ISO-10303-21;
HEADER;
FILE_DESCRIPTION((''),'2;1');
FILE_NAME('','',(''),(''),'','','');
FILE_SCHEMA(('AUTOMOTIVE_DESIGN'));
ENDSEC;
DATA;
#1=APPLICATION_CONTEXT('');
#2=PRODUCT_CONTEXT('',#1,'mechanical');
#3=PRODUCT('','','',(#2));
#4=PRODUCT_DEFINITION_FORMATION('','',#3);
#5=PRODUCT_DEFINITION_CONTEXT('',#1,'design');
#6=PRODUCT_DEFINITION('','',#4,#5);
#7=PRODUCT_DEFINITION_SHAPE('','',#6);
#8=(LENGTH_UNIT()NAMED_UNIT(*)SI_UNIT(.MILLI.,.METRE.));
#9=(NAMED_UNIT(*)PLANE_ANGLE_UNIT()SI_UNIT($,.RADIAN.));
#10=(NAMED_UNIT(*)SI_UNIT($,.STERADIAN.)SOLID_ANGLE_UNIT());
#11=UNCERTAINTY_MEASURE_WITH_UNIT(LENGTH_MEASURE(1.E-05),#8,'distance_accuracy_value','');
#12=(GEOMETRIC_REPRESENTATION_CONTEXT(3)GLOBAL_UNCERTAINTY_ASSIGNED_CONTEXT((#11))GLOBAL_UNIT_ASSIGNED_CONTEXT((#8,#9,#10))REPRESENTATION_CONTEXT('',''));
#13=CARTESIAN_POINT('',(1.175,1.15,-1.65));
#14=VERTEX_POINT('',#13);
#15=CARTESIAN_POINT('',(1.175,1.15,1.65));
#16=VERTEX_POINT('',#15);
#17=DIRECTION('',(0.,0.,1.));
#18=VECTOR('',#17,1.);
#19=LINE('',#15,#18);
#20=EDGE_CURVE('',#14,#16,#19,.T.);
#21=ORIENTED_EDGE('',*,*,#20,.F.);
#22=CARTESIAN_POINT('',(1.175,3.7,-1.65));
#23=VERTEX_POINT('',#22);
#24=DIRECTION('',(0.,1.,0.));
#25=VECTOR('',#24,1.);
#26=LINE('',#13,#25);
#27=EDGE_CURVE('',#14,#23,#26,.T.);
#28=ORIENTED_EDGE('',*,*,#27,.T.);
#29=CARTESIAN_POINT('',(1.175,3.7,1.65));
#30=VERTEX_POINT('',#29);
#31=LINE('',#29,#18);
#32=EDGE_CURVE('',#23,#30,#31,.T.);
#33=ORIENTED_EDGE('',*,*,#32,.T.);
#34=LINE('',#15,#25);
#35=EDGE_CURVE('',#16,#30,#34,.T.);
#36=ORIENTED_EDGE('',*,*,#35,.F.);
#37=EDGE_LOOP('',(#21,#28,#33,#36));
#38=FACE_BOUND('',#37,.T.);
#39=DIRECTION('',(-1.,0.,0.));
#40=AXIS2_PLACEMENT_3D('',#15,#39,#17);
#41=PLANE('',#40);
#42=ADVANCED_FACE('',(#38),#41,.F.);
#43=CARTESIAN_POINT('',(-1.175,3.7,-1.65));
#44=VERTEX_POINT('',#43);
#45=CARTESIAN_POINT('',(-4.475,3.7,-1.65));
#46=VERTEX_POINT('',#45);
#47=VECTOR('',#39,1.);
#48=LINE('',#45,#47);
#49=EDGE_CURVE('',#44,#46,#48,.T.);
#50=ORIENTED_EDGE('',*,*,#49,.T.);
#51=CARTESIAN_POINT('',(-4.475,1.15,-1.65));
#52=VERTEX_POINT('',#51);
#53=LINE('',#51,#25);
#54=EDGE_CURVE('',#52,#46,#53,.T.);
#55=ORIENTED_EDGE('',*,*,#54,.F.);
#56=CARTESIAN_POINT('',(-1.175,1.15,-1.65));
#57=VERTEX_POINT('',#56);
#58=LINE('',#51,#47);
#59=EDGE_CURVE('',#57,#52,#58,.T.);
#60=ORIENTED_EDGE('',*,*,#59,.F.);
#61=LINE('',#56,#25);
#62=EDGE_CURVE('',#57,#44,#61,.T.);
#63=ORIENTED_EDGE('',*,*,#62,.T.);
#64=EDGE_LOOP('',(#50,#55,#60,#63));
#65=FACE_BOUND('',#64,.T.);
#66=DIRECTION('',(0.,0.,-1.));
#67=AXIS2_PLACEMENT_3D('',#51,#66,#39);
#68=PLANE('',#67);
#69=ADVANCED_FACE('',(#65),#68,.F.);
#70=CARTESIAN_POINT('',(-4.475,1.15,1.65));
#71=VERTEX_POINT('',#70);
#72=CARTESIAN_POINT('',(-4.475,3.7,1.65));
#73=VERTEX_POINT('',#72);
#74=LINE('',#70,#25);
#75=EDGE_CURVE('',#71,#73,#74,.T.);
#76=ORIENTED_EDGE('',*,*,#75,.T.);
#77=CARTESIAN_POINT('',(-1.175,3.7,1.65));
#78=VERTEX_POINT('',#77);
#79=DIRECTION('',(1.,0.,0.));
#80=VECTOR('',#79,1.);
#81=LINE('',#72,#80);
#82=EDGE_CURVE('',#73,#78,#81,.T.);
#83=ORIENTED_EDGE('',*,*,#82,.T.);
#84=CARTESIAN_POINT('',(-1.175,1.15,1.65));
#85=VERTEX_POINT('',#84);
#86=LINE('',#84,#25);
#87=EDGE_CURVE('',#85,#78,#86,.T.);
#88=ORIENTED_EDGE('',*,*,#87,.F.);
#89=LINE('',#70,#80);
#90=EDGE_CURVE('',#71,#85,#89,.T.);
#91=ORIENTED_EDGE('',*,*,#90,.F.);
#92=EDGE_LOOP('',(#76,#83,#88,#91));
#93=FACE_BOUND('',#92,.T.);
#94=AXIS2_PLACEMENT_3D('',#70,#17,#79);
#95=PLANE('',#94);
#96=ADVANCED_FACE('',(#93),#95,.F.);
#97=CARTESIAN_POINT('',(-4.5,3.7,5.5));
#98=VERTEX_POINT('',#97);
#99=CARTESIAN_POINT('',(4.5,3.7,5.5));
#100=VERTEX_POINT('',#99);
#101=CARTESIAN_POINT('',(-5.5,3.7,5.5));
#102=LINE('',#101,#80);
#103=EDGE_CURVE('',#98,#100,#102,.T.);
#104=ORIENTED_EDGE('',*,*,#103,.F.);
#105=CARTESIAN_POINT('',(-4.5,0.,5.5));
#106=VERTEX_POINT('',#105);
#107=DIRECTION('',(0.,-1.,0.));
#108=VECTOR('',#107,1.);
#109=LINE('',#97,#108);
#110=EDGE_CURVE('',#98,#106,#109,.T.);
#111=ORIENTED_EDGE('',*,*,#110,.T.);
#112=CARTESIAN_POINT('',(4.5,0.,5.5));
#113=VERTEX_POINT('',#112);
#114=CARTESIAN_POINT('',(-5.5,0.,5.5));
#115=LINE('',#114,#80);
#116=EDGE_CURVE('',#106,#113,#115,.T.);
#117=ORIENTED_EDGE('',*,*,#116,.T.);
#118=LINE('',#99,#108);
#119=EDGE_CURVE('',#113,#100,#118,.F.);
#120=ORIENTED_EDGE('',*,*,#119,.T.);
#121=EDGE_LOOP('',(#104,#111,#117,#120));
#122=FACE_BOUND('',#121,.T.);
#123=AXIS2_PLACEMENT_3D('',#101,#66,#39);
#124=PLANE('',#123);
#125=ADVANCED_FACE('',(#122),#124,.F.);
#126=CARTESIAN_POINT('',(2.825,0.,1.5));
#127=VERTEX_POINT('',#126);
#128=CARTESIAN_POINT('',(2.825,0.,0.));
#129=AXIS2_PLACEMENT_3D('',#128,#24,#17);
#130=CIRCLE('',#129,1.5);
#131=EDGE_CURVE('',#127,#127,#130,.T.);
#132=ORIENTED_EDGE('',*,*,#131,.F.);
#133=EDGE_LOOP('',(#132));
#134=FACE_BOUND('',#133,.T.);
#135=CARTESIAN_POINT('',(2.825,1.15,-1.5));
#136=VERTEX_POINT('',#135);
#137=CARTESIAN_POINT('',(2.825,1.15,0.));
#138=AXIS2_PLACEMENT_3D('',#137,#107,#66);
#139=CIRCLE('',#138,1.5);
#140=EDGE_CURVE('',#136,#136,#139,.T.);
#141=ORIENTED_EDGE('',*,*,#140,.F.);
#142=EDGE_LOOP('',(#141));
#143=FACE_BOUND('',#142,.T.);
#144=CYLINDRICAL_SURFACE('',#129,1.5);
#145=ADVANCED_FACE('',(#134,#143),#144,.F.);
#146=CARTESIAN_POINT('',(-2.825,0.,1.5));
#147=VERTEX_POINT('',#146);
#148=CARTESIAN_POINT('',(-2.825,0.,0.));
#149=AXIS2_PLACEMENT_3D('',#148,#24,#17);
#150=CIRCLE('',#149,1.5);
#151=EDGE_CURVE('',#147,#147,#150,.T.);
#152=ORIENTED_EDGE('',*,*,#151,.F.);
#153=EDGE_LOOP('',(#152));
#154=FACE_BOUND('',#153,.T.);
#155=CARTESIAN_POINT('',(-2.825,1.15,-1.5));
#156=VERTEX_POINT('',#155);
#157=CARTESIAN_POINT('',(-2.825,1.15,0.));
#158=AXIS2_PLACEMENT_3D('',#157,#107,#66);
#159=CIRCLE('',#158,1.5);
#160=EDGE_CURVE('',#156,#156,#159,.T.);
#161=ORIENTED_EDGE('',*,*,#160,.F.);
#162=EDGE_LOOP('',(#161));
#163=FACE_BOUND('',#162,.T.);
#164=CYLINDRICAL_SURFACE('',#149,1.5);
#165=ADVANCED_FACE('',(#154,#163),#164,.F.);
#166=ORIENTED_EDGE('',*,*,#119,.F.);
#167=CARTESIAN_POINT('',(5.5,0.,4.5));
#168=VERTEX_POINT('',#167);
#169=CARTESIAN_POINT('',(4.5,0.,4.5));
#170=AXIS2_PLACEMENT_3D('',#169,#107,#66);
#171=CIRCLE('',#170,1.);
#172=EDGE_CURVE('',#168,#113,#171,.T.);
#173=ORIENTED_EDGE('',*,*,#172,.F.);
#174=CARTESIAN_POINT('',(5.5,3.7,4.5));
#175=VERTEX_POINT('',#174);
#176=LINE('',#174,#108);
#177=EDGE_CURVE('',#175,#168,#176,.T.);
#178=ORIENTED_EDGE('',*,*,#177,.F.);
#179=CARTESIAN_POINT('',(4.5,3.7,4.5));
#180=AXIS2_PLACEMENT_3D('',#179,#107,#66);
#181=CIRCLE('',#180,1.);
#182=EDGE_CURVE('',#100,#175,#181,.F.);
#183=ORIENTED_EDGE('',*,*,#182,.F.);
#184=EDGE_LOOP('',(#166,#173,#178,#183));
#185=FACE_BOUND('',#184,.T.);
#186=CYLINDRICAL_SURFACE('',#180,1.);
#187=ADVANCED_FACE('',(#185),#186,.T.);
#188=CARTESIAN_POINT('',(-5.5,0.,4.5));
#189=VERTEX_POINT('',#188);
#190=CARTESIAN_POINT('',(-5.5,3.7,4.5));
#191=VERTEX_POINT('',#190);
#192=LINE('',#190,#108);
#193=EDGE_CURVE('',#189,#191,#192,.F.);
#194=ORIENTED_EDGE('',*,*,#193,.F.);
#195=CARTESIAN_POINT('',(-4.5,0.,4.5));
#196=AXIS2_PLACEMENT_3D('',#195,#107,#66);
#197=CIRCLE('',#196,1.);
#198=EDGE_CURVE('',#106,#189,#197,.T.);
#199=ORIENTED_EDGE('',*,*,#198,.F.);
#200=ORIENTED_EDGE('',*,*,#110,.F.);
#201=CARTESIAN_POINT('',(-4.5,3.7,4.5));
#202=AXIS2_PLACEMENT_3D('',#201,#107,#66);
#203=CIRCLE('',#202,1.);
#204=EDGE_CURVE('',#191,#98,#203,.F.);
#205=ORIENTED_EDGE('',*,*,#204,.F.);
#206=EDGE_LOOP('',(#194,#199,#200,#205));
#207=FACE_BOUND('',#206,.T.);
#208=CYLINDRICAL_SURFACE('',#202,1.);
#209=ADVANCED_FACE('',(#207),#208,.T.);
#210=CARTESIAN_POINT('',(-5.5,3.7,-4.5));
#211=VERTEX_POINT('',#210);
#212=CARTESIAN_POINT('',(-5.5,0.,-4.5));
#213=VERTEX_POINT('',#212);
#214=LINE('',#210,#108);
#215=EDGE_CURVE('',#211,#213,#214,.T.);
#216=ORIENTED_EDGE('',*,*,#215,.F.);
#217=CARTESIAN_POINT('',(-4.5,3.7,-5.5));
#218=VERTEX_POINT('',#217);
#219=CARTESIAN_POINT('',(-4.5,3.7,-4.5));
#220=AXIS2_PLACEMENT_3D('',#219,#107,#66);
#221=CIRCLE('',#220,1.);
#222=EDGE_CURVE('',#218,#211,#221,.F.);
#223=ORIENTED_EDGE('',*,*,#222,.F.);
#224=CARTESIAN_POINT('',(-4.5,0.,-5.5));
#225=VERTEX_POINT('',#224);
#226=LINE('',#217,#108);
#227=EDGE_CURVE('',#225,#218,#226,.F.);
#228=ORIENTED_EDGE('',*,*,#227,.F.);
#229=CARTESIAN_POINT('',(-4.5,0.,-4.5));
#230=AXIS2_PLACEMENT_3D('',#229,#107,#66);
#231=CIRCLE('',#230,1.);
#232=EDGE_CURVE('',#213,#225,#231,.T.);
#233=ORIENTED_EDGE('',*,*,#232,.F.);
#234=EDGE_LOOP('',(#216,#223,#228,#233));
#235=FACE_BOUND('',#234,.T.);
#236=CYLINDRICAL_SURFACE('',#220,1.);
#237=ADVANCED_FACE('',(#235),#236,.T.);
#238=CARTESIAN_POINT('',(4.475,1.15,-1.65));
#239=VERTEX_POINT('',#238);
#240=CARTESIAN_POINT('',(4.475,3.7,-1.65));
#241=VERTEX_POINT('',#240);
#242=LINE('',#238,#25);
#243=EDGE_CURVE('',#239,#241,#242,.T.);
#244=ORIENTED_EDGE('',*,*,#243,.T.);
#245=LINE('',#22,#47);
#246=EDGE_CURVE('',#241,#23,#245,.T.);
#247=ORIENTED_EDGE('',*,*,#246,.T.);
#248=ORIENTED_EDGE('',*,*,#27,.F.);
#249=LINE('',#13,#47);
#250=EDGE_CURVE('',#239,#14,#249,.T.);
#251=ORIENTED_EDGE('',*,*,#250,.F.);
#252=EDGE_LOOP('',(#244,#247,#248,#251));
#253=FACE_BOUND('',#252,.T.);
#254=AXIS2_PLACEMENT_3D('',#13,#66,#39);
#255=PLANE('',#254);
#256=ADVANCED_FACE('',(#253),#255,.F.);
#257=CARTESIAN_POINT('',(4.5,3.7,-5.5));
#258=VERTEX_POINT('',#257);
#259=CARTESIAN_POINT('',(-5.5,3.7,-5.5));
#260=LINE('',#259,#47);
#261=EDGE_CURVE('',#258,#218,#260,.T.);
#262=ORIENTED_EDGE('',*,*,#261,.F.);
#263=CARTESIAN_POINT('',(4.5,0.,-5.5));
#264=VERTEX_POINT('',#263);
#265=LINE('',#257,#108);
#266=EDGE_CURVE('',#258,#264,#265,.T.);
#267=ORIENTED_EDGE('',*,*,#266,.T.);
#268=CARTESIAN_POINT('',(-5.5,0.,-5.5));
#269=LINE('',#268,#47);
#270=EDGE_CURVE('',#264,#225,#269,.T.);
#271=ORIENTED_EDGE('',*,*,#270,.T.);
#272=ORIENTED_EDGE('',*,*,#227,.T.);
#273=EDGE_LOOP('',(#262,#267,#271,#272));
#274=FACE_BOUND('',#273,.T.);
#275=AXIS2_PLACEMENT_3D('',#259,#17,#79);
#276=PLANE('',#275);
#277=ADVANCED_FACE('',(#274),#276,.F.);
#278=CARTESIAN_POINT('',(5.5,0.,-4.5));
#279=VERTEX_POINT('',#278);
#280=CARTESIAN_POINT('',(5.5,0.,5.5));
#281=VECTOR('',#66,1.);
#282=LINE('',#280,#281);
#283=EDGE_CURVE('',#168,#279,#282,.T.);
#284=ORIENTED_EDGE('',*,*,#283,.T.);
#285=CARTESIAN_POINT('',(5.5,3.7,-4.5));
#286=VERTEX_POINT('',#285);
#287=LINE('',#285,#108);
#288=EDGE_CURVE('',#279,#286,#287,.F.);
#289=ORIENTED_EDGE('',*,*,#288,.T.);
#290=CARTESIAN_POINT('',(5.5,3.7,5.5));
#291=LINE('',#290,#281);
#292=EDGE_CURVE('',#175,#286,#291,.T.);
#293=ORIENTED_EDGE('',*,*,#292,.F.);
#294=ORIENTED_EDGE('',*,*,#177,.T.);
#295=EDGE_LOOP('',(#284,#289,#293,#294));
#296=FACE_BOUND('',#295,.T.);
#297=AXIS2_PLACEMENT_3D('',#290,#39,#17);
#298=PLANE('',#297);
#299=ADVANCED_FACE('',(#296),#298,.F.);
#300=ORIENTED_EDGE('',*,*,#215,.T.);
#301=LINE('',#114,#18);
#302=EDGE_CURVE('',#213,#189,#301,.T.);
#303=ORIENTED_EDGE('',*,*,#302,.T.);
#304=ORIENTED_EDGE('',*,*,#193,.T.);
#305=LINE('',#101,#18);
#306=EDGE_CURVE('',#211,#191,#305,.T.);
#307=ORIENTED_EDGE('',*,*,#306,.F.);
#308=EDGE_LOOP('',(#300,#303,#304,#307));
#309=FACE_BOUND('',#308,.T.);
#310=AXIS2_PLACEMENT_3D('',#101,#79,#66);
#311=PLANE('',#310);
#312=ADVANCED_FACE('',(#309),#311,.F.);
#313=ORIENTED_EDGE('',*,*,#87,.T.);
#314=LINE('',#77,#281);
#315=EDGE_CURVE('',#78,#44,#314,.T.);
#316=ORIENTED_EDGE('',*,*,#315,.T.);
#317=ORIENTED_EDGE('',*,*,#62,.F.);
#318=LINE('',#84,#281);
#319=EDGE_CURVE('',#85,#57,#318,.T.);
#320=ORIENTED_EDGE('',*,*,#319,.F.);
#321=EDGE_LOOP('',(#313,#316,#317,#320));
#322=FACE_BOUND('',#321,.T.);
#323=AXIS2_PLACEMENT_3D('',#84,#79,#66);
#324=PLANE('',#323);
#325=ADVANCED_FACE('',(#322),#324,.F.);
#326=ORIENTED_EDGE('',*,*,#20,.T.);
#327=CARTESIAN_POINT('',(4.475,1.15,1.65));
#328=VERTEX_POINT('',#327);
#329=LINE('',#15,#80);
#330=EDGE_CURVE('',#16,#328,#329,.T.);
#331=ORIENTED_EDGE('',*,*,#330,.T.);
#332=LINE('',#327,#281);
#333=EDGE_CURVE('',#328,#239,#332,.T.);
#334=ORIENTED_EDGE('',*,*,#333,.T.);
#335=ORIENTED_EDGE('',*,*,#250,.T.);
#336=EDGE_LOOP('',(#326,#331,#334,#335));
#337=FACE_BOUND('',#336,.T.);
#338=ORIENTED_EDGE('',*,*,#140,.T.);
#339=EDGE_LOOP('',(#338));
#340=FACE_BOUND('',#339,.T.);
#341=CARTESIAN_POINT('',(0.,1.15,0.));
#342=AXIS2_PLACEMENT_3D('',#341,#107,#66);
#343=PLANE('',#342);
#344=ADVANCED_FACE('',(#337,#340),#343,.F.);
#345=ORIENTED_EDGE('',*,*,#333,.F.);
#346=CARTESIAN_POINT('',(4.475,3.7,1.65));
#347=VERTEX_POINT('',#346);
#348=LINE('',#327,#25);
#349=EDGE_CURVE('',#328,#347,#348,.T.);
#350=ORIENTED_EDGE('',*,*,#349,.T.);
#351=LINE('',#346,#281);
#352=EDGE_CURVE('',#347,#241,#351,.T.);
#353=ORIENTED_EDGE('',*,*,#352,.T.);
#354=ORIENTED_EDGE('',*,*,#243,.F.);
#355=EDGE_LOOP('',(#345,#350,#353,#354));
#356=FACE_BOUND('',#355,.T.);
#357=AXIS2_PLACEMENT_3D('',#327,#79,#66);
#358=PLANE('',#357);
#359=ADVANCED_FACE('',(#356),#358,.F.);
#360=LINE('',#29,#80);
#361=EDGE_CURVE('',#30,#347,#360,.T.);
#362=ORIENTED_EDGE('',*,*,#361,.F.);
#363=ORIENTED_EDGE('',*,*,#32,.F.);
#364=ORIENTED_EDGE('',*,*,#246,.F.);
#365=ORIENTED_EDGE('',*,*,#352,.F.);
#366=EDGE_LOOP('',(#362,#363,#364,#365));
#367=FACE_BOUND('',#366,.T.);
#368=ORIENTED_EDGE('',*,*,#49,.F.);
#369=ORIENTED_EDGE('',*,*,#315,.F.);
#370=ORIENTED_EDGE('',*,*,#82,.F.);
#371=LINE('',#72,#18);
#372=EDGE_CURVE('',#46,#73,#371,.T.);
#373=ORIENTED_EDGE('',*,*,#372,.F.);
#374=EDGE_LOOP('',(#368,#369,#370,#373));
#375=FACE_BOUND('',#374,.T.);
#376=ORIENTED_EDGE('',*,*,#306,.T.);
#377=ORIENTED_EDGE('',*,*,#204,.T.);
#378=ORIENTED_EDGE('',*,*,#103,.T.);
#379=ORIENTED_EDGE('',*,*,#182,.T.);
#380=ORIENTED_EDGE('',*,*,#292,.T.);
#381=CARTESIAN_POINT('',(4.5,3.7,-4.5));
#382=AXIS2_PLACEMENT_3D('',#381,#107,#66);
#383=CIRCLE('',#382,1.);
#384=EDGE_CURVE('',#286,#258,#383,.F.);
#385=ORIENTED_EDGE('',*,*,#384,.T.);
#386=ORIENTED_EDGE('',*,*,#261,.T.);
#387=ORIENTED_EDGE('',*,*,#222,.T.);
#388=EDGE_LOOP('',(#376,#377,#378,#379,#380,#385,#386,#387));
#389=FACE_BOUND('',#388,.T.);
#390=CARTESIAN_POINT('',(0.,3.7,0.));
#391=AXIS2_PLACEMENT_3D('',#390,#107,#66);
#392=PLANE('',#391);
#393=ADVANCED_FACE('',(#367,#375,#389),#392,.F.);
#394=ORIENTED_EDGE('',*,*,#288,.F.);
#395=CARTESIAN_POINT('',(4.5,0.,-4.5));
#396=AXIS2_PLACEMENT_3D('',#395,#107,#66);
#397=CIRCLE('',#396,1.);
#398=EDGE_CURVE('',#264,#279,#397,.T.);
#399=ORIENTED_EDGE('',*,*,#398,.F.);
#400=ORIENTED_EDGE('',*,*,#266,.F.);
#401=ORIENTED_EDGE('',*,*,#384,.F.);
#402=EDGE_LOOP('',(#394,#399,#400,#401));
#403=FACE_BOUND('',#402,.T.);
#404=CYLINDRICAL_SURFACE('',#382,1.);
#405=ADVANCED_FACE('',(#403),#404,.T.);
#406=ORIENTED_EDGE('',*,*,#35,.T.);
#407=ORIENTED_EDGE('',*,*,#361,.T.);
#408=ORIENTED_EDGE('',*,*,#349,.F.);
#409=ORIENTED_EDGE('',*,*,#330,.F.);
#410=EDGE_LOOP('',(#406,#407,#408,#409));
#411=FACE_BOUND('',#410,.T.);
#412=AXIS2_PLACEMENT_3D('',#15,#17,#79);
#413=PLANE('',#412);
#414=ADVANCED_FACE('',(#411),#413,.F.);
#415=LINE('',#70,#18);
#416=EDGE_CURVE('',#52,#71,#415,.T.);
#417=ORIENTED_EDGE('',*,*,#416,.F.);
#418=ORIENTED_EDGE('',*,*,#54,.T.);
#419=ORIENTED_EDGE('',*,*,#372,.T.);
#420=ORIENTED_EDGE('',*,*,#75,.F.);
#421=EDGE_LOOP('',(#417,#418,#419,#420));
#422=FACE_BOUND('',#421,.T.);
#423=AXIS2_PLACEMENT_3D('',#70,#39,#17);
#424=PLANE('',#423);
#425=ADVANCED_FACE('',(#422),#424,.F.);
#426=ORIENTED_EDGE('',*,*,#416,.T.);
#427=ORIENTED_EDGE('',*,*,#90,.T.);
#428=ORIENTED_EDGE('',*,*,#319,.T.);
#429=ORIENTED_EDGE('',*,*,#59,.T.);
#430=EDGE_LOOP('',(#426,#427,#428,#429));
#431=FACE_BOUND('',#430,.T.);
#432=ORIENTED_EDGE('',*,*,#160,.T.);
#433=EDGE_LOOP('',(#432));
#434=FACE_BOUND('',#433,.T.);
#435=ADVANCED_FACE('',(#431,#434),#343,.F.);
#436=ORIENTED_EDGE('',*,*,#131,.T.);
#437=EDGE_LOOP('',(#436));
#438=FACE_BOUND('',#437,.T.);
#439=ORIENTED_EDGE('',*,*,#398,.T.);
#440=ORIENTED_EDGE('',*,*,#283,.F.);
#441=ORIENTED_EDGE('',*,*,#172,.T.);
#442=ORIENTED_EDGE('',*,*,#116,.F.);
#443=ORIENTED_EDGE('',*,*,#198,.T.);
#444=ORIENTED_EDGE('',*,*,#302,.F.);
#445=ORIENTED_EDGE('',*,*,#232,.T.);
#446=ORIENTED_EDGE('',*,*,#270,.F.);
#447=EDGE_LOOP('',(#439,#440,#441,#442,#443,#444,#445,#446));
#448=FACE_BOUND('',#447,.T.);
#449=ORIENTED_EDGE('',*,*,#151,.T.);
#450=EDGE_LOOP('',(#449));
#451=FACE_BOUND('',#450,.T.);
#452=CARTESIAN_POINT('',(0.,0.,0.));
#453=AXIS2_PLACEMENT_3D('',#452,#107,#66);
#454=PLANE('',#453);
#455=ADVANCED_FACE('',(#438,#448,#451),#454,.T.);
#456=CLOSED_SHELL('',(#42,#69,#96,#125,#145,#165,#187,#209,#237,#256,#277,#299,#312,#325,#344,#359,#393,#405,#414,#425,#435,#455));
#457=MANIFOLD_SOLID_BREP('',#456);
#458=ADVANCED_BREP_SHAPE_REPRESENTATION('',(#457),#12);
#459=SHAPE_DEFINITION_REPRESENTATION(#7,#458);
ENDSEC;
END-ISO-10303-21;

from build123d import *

# Parameters (mm, degrees)
SKETCH1_W           = 11
SKETCH1_H           = 11
BOSS_EXTRUDE1_DEPTH = 3.7
FILLET1_R           = 1
SKETCH2_W           = 3.3
SKETCH2_H           = 3.3
CUT_EXTRUDE1_DEPTH  = 2.55
SKETCH3_R           = 1.5
CUT_EXTRUDE2_DEPTH  = 9.613361713


with BuildPart() as part:
    # Sketch1 → Boss-Extrude1 (new body)
    with BuildSketch(Plane(origin=(0, 0, 0), x_dir=(1, 0, 0), z_dir=(0, 1, 0))):
        Rectangle(SKETCH1_W, SKETCH1_H)
    extrude(amount=BOSS_EXTRUDE1_DEPTH)

    # Fillet1
    fillet1_edges = [part.edges().sort_by_distance(p)[0] for p in [
        (5.5, 1.85, 5.5),
        (-5.5, 1.85, 5.5),
        (-5.5, 1.85, -5.5),
        (5.5, 1.85, -5.5),
    ]]
    fillet(fillet1_edges, radius=FILLET1_R)

    # Sketch2 → Cut-Extrude1 (cut)
    with BuildSketch(Plane(origin=(0, 3.7, 0), x_dir=(1, 0, 0), z_dir=(0, 1, 0))):
        with Locations((-2.825, 0)):
            Rectangle(SKETCH2_W, SKETCH2_H)
        with Locations((2.825, 0)):
            Rectangle(SKETCH2_W, SKETCH2_H)
    extrude(amount=-CUT_EXTRUDE1_DEPTH, mode=Mode.SUBTRACT)

    # Sketch3 → Cut-Extrude2 (cut, through all)
    with BuildSketch(Plane(origin=(0, 3.7, 0), x_dir=(1, 0, 0), z_dir=(0, 1, 0))):
        with Locations(Location((-2.825, 0, 0), (0, 0, 270))):
            Circle(SKETCH3_R)
        with Locations(Location((2.825, 0, 0), (0, 0, 270))):
            Circle(SKETCH3_R)
    extrude(amount=-CUT_EXTRUDE2_DEPTH, mode=Mode.SUBTRACT)


solid = part.part
